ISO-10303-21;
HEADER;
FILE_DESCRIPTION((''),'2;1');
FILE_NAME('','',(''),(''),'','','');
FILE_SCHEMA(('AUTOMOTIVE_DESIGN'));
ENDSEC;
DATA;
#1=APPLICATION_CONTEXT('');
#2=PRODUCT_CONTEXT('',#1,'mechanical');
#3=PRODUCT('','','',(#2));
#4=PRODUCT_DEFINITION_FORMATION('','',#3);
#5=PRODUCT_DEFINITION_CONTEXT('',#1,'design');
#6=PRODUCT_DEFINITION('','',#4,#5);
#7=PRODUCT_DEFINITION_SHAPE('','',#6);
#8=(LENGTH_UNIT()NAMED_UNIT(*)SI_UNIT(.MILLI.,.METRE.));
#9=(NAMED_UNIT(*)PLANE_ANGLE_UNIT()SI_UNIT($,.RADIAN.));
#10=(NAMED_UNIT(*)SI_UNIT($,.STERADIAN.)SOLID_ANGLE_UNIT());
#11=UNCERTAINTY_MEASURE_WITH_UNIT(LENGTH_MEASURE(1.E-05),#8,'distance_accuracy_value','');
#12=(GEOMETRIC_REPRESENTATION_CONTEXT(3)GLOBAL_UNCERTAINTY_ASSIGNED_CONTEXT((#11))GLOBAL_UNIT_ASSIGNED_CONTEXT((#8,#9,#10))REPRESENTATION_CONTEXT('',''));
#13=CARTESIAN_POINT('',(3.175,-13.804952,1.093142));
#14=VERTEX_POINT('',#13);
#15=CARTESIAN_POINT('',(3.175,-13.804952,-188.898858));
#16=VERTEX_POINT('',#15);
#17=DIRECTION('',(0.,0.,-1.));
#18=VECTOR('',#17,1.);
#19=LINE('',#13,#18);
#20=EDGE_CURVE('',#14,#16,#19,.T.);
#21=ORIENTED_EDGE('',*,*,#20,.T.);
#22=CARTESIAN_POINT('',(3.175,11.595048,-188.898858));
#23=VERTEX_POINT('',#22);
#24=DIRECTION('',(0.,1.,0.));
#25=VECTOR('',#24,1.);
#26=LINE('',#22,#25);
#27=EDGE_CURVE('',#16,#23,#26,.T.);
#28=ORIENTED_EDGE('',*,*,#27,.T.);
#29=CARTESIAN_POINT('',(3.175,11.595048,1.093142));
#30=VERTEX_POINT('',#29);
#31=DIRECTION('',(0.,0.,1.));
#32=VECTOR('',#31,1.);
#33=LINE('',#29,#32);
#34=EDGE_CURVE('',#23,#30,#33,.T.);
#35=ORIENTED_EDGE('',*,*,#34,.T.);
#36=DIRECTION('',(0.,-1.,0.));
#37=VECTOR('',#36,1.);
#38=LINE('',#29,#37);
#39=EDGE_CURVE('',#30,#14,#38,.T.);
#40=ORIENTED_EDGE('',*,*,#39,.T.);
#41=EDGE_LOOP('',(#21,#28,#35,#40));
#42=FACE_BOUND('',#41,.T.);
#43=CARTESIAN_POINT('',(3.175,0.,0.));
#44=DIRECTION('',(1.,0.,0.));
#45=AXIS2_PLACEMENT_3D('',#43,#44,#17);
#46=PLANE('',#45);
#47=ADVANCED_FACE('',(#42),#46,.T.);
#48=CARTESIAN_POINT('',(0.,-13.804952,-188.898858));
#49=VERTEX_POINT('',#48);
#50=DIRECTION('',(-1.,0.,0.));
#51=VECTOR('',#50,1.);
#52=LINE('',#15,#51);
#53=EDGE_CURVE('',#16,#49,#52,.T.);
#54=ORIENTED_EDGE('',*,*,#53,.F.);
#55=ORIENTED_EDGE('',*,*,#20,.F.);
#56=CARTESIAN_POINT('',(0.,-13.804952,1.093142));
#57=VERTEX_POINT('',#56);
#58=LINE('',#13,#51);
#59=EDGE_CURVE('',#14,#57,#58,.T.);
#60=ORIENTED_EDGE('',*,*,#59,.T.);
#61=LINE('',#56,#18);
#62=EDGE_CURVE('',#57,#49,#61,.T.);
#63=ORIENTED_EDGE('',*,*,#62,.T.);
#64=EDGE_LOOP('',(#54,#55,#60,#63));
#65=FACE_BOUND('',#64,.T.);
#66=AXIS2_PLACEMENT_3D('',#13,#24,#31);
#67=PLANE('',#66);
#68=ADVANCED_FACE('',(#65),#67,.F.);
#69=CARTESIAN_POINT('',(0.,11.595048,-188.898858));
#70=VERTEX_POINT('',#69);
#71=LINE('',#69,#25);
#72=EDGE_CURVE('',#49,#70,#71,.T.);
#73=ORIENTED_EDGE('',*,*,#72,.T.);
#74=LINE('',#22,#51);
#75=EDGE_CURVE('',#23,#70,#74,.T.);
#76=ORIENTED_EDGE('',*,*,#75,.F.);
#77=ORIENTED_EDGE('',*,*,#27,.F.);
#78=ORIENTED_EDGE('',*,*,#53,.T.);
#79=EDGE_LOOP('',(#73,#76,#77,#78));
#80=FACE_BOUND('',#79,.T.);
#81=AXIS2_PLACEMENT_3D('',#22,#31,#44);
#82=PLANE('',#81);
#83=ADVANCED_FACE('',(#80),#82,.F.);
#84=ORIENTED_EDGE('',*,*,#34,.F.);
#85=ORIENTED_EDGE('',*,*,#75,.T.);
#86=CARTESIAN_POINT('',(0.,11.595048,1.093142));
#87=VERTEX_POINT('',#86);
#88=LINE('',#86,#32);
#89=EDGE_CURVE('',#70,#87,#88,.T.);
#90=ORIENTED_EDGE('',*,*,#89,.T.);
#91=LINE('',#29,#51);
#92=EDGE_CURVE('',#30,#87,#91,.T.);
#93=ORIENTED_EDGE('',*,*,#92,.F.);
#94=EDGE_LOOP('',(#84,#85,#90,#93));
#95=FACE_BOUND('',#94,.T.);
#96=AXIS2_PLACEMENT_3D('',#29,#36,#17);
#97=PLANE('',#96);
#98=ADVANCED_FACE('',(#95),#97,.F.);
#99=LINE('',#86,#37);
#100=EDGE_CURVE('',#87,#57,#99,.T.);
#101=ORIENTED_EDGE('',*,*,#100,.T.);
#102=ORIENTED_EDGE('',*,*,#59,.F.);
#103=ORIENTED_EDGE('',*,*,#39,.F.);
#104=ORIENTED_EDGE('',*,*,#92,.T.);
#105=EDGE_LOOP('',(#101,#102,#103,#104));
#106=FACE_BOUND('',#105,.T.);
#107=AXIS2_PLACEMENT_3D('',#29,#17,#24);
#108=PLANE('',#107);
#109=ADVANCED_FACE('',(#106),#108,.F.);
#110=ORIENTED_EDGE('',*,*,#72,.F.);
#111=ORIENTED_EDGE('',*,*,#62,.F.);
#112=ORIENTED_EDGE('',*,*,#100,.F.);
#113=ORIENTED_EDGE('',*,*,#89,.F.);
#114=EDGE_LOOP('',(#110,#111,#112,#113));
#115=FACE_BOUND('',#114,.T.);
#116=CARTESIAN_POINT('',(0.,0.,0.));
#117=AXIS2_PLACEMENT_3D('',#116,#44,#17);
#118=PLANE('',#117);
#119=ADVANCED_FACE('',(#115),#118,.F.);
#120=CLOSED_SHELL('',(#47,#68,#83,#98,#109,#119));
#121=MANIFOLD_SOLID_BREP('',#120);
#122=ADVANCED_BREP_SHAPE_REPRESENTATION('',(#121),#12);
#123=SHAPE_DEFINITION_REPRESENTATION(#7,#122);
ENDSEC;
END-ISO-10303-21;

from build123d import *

# Parameters (mm, degrees)
SKETCH1_W           = 189.992
SKETCH1_H           = 25.4
BOSS_EXTRUDE2_DEPTH = 3.175


with BuildPart() as part:
    # Sketch1 → Boss-Extrude2 (new body)
    with BuildSketch(Plane(origin=(0, 0, 0), x_dir=(0, 0, -1), z_dir=(1, 0, 0))):
        with Locations((93.902857562, -1.104952208)):
            Rectangle(SKETCH1_W, SKETCH1_H)
    extrude(amount=BOSS_EXTRUDE2_DEPTH)


solid = part.part
